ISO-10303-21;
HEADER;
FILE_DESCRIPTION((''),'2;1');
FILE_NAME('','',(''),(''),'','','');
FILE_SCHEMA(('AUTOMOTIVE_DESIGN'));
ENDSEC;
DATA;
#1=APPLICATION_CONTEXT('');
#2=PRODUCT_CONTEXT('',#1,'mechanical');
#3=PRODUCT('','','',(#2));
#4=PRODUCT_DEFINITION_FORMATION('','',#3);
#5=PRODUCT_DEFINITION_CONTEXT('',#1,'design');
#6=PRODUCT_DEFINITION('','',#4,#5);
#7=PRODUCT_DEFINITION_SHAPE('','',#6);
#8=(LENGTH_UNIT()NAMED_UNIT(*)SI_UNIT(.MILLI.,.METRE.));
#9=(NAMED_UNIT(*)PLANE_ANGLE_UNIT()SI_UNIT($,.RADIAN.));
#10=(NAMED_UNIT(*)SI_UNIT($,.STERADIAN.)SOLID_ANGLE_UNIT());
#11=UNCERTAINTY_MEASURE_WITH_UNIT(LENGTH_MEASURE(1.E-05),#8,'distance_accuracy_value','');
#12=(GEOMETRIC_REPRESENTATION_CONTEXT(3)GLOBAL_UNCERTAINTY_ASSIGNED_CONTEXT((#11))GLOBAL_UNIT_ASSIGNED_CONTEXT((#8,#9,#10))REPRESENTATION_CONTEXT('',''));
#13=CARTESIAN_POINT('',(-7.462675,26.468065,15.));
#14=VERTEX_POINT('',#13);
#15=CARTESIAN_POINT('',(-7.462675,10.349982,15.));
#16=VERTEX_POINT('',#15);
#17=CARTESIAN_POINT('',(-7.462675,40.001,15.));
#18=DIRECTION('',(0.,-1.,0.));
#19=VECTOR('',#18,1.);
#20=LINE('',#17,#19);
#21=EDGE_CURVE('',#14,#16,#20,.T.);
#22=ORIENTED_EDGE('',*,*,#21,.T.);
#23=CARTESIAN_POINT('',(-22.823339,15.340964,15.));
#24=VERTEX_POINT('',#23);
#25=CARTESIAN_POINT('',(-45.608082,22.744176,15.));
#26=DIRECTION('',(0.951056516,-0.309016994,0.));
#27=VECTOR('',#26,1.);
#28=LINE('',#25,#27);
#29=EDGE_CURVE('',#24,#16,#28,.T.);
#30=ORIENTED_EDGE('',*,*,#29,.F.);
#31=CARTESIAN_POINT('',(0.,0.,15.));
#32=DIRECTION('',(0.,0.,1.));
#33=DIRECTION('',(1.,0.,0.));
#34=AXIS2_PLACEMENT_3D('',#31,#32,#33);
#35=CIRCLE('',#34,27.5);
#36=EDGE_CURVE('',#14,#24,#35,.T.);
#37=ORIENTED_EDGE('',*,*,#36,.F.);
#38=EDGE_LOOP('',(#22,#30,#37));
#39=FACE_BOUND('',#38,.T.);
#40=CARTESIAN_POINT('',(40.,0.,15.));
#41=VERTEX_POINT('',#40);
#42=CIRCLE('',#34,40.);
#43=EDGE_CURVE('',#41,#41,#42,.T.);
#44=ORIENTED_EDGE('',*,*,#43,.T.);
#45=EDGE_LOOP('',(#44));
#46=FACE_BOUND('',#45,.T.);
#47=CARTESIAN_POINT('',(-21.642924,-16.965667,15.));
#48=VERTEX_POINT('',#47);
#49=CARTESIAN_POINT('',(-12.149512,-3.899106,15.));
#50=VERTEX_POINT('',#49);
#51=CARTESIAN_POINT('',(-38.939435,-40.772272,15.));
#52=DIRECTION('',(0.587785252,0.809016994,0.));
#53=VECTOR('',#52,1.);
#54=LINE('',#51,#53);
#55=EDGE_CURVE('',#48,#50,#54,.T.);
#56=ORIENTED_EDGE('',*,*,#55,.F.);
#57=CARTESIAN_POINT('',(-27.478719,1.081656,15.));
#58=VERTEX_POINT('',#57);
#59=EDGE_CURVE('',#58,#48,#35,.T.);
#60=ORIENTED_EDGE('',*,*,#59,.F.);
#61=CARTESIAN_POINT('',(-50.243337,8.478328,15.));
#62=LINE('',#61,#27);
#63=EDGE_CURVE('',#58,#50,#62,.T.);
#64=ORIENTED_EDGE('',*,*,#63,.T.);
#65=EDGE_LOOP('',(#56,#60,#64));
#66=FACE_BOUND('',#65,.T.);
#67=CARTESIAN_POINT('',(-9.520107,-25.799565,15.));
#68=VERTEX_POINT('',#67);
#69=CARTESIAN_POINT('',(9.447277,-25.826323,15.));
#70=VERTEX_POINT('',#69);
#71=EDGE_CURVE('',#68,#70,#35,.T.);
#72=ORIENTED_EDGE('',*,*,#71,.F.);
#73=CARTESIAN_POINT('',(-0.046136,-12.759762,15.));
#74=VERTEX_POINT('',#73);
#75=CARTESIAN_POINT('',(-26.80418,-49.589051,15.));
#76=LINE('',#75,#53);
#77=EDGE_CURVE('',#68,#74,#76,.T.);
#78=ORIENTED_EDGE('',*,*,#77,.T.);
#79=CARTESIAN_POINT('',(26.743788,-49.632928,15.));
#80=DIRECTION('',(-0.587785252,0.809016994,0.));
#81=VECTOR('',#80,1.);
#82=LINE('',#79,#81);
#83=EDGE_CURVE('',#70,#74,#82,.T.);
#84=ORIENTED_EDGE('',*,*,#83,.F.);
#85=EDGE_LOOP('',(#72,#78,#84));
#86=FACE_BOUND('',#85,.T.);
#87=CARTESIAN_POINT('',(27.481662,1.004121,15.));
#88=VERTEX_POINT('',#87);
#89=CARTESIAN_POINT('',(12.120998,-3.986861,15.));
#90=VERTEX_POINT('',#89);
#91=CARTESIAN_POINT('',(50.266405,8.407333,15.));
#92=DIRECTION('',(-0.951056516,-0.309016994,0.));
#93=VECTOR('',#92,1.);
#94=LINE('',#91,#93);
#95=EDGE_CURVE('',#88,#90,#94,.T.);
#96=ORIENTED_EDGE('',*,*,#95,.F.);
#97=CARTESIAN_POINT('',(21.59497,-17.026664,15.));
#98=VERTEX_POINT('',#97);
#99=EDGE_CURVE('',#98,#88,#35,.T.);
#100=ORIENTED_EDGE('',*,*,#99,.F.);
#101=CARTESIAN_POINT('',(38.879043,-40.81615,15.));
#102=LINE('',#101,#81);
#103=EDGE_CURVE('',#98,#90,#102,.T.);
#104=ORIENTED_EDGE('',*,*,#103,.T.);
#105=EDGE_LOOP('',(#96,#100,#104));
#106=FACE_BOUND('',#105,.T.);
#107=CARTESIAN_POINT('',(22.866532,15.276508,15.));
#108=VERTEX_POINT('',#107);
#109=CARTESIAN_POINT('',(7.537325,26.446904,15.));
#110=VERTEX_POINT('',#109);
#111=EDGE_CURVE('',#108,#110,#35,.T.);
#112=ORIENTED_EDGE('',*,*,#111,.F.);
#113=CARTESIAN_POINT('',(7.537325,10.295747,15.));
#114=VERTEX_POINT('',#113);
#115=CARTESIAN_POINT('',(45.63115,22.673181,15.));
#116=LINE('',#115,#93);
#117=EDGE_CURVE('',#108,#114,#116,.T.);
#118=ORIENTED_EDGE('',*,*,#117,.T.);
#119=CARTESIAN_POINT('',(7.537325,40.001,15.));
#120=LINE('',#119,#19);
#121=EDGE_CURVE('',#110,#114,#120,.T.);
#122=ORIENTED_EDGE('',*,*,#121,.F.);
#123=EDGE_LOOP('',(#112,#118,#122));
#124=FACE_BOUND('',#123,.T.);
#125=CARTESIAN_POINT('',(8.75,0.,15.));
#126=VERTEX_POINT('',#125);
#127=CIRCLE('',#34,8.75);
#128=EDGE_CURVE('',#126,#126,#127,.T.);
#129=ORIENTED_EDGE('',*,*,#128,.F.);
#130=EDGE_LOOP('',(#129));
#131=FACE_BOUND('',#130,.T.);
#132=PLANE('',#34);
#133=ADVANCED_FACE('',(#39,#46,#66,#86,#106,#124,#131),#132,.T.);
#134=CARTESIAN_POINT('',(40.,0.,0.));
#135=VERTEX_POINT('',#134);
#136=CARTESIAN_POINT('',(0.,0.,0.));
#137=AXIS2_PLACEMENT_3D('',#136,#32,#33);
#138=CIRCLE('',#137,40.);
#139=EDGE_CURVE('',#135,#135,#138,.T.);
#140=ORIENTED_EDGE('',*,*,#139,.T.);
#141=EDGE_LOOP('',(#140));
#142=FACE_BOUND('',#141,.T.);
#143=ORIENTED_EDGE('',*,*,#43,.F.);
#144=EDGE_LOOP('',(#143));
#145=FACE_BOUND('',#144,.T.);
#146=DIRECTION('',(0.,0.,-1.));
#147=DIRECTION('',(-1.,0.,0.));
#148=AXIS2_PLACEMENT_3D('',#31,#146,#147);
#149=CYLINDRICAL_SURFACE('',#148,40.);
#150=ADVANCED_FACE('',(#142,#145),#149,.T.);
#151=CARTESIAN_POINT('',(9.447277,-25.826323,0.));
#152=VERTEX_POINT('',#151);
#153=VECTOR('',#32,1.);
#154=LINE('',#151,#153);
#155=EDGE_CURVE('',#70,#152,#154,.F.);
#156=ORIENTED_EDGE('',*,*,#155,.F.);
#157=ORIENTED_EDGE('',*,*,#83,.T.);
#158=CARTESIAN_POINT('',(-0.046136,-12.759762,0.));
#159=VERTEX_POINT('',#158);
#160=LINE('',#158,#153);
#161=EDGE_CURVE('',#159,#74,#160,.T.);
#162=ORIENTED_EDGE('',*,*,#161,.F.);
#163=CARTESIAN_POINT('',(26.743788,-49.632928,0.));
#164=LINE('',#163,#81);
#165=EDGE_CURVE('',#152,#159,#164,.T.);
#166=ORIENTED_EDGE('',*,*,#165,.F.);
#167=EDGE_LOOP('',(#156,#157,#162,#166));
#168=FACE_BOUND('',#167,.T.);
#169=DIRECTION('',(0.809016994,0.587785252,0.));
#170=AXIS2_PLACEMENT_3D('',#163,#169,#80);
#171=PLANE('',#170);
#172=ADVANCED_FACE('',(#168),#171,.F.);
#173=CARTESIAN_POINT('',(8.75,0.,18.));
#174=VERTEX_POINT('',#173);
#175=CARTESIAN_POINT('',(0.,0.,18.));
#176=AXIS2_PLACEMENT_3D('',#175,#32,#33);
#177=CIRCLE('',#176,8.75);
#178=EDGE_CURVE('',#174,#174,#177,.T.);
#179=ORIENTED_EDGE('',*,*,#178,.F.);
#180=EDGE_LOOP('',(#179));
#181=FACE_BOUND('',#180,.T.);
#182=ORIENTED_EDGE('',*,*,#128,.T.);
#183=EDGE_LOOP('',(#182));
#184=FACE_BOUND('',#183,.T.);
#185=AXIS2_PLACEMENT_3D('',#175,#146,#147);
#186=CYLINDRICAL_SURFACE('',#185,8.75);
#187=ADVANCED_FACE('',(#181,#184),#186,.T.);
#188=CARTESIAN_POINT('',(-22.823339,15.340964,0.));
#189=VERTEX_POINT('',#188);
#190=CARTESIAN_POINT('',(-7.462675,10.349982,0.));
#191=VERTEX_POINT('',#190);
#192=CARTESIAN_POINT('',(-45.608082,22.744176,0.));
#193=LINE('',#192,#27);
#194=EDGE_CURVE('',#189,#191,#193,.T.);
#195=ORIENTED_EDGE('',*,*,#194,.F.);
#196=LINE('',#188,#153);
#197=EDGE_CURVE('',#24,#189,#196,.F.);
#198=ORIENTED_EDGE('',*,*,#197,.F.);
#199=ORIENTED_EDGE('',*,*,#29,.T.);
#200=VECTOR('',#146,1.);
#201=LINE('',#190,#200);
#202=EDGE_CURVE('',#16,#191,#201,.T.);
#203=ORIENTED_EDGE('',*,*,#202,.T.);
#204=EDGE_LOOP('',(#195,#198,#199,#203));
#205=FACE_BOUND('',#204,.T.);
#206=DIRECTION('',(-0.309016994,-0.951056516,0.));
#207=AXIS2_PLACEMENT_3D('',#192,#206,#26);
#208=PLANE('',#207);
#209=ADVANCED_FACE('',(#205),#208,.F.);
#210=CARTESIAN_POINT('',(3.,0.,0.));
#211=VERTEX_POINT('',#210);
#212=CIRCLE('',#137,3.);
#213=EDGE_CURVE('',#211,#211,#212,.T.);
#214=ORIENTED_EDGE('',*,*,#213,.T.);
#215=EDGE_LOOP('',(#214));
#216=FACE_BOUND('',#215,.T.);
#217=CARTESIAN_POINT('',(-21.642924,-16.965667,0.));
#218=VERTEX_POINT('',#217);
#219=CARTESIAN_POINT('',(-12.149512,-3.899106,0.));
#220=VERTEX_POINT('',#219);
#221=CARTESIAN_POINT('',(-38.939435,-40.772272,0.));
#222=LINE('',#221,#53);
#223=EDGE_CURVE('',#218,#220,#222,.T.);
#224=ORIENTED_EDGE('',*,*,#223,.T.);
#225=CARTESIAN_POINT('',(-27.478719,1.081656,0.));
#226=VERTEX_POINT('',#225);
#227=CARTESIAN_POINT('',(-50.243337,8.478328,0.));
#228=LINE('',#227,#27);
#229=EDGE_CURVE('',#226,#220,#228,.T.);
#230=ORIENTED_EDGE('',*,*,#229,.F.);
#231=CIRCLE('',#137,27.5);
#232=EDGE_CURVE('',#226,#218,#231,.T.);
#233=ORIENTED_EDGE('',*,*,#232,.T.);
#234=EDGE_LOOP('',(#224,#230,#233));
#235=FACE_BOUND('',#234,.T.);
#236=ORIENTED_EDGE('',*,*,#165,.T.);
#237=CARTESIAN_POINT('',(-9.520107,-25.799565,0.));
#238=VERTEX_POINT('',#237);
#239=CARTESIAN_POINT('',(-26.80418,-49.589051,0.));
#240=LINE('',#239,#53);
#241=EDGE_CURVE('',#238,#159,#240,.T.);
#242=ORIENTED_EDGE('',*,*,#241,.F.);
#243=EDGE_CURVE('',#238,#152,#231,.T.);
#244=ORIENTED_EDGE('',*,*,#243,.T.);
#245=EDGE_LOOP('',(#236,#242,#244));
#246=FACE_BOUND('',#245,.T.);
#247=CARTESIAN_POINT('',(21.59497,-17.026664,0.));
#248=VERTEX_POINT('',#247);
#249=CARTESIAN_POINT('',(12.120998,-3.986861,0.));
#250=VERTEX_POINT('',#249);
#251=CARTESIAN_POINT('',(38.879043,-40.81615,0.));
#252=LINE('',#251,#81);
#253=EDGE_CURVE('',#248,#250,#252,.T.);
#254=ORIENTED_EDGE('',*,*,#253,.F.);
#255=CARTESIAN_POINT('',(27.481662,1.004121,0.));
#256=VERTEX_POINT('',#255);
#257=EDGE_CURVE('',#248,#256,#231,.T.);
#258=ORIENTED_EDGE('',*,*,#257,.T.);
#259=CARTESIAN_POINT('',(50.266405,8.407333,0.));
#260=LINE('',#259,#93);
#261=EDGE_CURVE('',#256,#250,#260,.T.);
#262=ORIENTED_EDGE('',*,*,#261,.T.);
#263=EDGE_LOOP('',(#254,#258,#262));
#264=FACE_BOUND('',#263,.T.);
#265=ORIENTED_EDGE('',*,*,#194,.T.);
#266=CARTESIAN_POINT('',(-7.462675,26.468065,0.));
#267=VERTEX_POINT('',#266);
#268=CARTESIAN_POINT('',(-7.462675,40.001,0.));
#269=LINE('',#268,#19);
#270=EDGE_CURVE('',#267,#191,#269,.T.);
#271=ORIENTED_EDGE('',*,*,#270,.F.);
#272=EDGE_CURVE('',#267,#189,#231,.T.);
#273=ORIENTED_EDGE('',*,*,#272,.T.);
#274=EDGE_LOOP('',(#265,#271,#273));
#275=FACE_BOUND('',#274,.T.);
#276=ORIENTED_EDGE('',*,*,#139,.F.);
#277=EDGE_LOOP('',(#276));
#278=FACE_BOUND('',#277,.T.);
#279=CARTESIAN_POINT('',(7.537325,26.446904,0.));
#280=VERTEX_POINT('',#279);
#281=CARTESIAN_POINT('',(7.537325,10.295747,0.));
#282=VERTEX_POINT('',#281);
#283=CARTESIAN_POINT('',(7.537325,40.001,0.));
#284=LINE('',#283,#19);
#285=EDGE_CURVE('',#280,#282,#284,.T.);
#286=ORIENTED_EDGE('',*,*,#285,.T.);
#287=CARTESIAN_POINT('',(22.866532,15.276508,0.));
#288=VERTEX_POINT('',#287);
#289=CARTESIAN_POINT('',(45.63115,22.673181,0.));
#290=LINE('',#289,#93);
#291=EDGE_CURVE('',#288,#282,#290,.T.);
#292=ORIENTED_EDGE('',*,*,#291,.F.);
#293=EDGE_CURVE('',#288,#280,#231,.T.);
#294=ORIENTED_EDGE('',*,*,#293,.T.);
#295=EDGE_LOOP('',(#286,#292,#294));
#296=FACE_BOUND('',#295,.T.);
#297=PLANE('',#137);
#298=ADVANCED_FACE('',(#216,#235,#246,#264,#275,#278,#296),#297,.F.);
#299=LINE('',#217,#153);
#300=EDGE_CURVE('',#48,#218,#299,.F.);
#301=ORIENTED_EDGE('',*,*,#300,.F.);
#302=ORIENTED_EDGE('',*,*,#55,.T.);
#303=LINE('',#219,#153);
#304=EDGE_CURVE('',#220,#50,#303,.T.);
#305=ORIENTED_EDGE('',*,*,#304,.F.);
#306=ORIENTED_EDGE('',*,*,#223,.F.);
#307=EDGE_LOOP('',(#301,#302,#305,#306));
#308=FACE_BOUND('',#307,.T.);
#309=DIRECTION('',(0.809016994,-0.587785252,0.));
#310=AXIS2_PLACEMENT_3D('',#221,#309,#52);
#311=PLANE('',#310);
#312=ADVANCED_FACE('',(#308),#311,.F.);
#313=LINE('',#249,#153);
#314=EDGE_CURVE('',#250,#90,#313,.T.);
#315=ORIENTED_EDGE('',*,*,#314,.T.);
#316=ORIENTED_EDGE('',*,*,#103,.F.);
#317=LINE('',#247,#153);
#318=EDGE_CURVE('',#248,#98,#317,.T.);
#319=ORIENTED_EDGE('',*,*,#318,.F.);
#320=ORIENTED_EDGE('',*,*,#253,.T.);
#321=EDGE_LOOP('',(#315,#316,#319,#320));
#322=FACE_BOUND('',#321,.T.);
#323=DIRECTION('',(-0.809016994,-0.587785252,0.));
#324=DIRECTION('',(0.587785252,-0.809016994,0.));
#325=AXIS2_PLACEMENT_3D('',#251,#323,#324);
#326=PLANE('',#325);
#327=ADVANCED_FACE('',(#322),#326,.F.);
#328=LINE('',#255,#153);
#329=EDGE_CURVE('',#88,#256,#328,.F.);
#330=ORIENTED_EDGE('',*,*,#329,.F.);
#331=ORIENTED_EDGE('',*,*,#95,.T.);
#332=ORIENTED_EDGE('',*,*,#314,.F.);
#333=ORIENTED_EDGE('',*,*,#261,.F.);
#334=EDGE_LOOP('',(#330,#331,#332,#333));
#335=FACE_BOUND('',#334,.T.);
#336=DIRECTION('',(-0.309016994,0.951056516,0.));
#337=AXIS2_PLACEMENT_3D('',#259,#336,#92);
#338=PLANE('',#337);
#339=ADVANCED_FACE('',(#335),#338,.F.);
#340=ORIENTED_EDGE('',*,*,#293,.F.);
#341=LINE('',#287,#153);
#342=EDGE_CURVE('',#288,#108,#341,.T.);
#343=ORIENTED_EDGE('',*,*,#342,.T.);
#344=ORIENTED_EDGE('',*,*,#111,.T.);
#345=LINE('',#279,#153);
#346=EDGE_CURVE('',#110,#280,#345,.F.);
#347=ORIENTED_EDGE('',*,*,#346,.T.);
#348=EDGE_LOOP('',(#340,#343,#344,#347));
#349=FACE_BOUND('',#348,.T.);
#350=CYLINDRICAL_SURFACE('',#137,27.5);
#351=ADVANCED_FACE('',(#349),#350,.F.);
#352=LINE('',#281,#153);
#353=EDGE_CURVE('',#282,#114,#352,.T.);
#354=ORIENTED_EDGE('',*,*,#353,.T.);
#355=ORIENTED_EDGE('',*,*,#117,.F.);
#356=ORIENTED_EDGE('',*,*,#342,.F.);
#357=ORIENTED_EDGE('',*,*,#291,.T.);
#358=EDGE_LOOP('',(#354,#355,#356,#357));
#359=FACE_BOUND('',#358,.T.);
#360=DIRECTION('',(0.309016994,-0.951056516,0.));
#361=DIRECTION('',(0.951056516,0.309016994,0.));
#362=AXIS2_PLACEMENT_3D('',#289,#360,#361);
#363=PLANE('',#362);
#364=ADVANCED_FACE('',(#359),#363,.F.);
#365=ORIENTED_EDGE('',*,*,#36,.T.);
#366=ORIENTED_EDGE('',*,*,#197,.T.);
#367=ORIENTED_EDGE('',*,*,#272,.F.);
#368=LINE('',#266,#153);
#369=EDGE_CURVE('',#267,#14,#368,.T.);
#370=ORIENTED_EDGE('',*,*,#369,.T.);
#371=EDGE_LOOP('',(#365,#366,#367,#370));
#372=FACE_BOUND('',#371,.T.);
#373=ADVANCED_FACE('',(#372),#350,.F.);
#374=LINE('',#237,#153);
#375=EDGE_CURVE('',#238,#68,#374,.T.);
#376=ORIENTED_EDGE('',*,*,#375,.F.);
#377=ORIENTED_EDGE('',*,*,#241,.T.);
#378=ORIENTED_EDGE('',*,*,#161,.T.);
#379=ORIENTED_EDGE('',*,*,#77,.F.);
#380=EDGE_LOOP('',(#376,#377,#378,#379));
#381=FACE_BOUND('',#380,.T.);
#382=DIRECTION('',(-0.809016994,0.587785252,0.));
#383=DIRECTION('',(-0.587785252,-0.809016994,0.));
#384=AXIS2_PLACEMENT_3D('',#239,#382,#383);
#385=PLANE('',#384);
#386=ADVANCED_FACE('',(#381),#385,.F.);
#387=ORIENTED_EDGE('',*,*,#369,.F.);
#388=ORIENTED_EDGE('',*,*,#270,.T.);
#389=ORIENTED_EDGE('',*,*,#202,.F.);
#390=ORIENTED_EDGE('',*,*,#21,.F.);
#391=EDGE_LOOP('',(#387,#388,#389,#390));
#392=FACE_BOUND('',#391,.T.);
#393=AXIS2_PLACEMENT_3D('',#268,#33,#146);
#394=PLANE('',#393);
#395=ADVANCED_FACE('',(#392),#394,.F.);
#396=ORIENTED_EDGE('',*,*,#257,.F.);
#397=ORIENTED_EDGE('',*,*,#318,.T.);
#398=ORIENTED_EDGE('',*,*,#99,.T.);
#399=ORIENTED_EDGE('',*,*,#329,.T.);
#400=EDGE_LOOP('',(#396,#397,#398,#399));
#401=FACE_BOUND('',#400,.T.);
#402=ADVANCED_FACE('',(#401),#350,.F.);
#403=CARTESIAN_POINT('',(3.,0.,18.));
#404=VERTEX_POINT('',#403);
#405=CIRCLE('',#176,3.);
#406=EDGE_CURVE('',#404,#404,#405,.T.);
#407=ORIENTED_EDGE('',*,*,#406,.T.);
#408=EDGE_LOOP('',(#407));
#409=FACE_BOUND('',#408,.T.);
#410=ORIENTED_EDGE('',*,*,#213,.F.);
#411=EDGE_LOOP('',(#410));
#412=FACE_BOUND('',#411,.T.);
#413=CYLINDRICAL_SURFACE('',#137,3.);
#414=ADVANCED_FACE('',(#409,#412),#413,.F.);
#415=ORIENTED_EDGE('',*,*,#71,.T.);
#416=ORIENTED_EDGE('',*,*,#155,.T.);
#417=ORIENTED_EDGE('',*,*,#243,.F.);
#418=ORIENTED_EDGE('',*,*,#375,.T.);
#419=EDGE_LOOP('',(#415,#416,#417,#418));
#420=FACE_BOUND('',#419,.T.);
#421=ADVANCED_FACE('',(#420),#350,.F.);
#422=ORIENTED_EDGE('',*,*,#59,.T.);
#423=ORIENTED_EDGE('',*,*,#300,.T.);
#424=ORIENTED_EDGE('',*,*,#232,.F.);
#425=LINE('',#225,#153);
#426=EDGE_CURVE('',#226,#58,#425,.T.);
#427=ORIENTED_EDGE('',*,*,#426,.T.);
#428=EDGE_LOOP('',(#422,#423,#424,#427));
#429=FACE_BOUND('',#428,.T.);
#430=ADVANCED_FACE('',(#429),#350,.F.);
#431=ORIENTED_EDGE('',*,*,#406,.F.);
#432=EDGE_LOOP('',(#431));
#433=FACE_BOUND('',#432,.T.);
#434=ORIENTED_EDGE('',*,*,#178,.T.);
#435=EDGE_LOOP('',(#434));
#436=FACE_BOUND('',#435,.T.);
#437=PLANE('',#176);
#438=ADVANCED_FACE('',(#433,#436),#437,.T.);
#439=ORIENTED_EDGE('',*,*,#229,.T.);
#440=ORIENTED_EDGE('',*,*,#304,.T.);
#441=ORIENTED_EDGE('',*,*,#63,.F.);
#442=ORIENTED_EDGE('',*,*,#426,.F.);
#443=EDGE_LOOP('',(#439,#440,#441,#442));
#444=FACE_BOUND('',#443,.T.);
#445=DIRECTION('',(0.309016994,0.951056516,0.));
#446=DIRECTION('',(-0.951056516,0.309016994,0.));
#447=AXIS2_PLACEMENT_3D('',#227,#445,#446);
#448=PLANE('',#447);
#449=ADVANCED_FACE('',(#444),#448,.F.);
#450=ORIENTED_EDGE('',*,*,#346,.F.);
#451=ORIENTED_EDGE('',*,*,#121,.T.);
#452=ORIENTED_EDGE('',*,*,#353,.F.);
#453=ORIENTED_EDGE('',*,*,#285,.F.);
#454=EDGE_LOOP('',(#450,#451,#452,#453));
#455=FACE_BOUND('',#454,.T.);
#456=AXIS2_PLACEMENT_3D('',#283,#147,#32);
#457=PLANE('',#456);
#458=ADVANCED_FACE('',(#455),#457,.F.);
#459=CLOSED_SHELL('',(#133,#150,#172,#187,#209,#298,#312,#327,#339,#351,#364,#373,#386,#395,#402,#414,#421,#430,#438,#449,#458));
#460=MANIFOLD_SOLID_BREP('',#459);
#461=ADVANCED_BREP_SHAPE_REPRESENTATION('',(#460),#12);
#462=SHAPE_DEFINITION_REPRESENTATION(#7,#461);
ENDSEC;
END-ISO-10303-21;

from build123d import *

# Parameters (mm, degrees)
SKETCH1_R                = 40
BOSS_EXTRUDE1_DEPTH      = 15
SKETCH2_R                = 27.5
CUT_EXTRUDE1_DEPTH       = 59.523499554
SKETCH3_R                = 10
BOSS_EXTRUDE3_DEPTH      = 15
BOSS_EXTRUDE4_REACH      = 60.523
BOSS_EXTRUDE4_END_RADIUS = 27.5
SKETCH5_W                = 15
SKETCH5_H                = 15
CIRPATTERN1_COUNT        = 5
SKETCH6_R                = 8.75
BOSS_EXTRUDE5_DEPTH      = 3
SKETCH7_R                = 3
CUT_EXTRUDE2_DEPTH       = 60.363288319


with BuildPart() as part:
    # Sketch1 → Boss-Extrude1 (new body)
    with BuildSketch(Plane.XY):
        Circle(SKETCH1_R)
    extrude(amount=BOSS_EXTRUDE1_DEPTH)

    # Sketch2 → Cut-Extrude1 (cut, through all)
    with BuildSketch(Plane.XY.offset(15)):
        Circle(SKETCH2_R)
    extrude(amount=-CUT_EXTRUDE1_DEPTH, mode=Mode.SUBTRACT)



with BuildPart() as body_2:
    # Sketch3 → Boss-Extrude3 (new body)
    with BuildSketch(Plane.XY):
        Circle(SKETCH3_R)
    extrude(amount=BOSS_EXTRUDE3_DEPTH)


with BuildPart() as part_1:
    add(part.part)

    add(body_2.part)  # Boss-Extrude4 merges body 2
    # Boss-Extrude4: up to this cylinder (the profile starts inside it)
    boss_extrude4_end = Plane(origin=(0, 0, 7.5), z_dir=(0, 0, 1)) * Cylinder(BOSS_EXTRUDE4_END_RADIUS, 177.046, mode=Mode.PRIVATE)
    # Sketch5 → Boss-Extrude4 (add, up to the surface)
    with BuildSketch(Plane(origin=(0, 0, 0), x_dir=(1, 0, 0), z_dir=(0, 1, 0)), mode=Mode.PRIVATE) as boss_extrude4_sk1:
        with Locations((0.0373245, -7.5)):
            Rectangle(SKETCH5_W, SKETCH5_H)
    boss_extrude4_tool1 = extrude(boss_extrude4_sk1.sketch, amount=BOSS_EXTRUDE4_REACH, mode=Mode.PRIVATE) & boss_extrude4_end
    boss_extrude4 = boss_extrude4_tool1.solids().sort_by_distance((0.037325, 0, 7.5))[0]
    add(boss_extrude4)

    # CirPattern1: Boss-Extrude4 ×5 about axis
    cirpattern1_axis = Axis((0, 0, 0), (0, 0, 1))
    for i in range(1, CIRPATTERN1_COUNT):
        add(boss_extrude4.rotate(cirpattern1_axis, i * 360 / CIRPATTERN1_COUNT))

    # Sketch6 → Boss-Extrude5 (add)
    with BuildSketch(Plane.XY.offset(15)):
        Circle(SKETCH6_R)
    extrude(amount=BOSS_EXTRUDE5_DEPTH)

    # Sketch7 → Cut-Extrude2 (cut, through all)
    with BuildSketch(Plane.XY.offset(18)):
        Circle(SKETCH7_R)
    extrude(amount=-CUT_EXTRUDE2_DEPTH, mode=Mode.SUBTRACT)


solid = part_1.part
